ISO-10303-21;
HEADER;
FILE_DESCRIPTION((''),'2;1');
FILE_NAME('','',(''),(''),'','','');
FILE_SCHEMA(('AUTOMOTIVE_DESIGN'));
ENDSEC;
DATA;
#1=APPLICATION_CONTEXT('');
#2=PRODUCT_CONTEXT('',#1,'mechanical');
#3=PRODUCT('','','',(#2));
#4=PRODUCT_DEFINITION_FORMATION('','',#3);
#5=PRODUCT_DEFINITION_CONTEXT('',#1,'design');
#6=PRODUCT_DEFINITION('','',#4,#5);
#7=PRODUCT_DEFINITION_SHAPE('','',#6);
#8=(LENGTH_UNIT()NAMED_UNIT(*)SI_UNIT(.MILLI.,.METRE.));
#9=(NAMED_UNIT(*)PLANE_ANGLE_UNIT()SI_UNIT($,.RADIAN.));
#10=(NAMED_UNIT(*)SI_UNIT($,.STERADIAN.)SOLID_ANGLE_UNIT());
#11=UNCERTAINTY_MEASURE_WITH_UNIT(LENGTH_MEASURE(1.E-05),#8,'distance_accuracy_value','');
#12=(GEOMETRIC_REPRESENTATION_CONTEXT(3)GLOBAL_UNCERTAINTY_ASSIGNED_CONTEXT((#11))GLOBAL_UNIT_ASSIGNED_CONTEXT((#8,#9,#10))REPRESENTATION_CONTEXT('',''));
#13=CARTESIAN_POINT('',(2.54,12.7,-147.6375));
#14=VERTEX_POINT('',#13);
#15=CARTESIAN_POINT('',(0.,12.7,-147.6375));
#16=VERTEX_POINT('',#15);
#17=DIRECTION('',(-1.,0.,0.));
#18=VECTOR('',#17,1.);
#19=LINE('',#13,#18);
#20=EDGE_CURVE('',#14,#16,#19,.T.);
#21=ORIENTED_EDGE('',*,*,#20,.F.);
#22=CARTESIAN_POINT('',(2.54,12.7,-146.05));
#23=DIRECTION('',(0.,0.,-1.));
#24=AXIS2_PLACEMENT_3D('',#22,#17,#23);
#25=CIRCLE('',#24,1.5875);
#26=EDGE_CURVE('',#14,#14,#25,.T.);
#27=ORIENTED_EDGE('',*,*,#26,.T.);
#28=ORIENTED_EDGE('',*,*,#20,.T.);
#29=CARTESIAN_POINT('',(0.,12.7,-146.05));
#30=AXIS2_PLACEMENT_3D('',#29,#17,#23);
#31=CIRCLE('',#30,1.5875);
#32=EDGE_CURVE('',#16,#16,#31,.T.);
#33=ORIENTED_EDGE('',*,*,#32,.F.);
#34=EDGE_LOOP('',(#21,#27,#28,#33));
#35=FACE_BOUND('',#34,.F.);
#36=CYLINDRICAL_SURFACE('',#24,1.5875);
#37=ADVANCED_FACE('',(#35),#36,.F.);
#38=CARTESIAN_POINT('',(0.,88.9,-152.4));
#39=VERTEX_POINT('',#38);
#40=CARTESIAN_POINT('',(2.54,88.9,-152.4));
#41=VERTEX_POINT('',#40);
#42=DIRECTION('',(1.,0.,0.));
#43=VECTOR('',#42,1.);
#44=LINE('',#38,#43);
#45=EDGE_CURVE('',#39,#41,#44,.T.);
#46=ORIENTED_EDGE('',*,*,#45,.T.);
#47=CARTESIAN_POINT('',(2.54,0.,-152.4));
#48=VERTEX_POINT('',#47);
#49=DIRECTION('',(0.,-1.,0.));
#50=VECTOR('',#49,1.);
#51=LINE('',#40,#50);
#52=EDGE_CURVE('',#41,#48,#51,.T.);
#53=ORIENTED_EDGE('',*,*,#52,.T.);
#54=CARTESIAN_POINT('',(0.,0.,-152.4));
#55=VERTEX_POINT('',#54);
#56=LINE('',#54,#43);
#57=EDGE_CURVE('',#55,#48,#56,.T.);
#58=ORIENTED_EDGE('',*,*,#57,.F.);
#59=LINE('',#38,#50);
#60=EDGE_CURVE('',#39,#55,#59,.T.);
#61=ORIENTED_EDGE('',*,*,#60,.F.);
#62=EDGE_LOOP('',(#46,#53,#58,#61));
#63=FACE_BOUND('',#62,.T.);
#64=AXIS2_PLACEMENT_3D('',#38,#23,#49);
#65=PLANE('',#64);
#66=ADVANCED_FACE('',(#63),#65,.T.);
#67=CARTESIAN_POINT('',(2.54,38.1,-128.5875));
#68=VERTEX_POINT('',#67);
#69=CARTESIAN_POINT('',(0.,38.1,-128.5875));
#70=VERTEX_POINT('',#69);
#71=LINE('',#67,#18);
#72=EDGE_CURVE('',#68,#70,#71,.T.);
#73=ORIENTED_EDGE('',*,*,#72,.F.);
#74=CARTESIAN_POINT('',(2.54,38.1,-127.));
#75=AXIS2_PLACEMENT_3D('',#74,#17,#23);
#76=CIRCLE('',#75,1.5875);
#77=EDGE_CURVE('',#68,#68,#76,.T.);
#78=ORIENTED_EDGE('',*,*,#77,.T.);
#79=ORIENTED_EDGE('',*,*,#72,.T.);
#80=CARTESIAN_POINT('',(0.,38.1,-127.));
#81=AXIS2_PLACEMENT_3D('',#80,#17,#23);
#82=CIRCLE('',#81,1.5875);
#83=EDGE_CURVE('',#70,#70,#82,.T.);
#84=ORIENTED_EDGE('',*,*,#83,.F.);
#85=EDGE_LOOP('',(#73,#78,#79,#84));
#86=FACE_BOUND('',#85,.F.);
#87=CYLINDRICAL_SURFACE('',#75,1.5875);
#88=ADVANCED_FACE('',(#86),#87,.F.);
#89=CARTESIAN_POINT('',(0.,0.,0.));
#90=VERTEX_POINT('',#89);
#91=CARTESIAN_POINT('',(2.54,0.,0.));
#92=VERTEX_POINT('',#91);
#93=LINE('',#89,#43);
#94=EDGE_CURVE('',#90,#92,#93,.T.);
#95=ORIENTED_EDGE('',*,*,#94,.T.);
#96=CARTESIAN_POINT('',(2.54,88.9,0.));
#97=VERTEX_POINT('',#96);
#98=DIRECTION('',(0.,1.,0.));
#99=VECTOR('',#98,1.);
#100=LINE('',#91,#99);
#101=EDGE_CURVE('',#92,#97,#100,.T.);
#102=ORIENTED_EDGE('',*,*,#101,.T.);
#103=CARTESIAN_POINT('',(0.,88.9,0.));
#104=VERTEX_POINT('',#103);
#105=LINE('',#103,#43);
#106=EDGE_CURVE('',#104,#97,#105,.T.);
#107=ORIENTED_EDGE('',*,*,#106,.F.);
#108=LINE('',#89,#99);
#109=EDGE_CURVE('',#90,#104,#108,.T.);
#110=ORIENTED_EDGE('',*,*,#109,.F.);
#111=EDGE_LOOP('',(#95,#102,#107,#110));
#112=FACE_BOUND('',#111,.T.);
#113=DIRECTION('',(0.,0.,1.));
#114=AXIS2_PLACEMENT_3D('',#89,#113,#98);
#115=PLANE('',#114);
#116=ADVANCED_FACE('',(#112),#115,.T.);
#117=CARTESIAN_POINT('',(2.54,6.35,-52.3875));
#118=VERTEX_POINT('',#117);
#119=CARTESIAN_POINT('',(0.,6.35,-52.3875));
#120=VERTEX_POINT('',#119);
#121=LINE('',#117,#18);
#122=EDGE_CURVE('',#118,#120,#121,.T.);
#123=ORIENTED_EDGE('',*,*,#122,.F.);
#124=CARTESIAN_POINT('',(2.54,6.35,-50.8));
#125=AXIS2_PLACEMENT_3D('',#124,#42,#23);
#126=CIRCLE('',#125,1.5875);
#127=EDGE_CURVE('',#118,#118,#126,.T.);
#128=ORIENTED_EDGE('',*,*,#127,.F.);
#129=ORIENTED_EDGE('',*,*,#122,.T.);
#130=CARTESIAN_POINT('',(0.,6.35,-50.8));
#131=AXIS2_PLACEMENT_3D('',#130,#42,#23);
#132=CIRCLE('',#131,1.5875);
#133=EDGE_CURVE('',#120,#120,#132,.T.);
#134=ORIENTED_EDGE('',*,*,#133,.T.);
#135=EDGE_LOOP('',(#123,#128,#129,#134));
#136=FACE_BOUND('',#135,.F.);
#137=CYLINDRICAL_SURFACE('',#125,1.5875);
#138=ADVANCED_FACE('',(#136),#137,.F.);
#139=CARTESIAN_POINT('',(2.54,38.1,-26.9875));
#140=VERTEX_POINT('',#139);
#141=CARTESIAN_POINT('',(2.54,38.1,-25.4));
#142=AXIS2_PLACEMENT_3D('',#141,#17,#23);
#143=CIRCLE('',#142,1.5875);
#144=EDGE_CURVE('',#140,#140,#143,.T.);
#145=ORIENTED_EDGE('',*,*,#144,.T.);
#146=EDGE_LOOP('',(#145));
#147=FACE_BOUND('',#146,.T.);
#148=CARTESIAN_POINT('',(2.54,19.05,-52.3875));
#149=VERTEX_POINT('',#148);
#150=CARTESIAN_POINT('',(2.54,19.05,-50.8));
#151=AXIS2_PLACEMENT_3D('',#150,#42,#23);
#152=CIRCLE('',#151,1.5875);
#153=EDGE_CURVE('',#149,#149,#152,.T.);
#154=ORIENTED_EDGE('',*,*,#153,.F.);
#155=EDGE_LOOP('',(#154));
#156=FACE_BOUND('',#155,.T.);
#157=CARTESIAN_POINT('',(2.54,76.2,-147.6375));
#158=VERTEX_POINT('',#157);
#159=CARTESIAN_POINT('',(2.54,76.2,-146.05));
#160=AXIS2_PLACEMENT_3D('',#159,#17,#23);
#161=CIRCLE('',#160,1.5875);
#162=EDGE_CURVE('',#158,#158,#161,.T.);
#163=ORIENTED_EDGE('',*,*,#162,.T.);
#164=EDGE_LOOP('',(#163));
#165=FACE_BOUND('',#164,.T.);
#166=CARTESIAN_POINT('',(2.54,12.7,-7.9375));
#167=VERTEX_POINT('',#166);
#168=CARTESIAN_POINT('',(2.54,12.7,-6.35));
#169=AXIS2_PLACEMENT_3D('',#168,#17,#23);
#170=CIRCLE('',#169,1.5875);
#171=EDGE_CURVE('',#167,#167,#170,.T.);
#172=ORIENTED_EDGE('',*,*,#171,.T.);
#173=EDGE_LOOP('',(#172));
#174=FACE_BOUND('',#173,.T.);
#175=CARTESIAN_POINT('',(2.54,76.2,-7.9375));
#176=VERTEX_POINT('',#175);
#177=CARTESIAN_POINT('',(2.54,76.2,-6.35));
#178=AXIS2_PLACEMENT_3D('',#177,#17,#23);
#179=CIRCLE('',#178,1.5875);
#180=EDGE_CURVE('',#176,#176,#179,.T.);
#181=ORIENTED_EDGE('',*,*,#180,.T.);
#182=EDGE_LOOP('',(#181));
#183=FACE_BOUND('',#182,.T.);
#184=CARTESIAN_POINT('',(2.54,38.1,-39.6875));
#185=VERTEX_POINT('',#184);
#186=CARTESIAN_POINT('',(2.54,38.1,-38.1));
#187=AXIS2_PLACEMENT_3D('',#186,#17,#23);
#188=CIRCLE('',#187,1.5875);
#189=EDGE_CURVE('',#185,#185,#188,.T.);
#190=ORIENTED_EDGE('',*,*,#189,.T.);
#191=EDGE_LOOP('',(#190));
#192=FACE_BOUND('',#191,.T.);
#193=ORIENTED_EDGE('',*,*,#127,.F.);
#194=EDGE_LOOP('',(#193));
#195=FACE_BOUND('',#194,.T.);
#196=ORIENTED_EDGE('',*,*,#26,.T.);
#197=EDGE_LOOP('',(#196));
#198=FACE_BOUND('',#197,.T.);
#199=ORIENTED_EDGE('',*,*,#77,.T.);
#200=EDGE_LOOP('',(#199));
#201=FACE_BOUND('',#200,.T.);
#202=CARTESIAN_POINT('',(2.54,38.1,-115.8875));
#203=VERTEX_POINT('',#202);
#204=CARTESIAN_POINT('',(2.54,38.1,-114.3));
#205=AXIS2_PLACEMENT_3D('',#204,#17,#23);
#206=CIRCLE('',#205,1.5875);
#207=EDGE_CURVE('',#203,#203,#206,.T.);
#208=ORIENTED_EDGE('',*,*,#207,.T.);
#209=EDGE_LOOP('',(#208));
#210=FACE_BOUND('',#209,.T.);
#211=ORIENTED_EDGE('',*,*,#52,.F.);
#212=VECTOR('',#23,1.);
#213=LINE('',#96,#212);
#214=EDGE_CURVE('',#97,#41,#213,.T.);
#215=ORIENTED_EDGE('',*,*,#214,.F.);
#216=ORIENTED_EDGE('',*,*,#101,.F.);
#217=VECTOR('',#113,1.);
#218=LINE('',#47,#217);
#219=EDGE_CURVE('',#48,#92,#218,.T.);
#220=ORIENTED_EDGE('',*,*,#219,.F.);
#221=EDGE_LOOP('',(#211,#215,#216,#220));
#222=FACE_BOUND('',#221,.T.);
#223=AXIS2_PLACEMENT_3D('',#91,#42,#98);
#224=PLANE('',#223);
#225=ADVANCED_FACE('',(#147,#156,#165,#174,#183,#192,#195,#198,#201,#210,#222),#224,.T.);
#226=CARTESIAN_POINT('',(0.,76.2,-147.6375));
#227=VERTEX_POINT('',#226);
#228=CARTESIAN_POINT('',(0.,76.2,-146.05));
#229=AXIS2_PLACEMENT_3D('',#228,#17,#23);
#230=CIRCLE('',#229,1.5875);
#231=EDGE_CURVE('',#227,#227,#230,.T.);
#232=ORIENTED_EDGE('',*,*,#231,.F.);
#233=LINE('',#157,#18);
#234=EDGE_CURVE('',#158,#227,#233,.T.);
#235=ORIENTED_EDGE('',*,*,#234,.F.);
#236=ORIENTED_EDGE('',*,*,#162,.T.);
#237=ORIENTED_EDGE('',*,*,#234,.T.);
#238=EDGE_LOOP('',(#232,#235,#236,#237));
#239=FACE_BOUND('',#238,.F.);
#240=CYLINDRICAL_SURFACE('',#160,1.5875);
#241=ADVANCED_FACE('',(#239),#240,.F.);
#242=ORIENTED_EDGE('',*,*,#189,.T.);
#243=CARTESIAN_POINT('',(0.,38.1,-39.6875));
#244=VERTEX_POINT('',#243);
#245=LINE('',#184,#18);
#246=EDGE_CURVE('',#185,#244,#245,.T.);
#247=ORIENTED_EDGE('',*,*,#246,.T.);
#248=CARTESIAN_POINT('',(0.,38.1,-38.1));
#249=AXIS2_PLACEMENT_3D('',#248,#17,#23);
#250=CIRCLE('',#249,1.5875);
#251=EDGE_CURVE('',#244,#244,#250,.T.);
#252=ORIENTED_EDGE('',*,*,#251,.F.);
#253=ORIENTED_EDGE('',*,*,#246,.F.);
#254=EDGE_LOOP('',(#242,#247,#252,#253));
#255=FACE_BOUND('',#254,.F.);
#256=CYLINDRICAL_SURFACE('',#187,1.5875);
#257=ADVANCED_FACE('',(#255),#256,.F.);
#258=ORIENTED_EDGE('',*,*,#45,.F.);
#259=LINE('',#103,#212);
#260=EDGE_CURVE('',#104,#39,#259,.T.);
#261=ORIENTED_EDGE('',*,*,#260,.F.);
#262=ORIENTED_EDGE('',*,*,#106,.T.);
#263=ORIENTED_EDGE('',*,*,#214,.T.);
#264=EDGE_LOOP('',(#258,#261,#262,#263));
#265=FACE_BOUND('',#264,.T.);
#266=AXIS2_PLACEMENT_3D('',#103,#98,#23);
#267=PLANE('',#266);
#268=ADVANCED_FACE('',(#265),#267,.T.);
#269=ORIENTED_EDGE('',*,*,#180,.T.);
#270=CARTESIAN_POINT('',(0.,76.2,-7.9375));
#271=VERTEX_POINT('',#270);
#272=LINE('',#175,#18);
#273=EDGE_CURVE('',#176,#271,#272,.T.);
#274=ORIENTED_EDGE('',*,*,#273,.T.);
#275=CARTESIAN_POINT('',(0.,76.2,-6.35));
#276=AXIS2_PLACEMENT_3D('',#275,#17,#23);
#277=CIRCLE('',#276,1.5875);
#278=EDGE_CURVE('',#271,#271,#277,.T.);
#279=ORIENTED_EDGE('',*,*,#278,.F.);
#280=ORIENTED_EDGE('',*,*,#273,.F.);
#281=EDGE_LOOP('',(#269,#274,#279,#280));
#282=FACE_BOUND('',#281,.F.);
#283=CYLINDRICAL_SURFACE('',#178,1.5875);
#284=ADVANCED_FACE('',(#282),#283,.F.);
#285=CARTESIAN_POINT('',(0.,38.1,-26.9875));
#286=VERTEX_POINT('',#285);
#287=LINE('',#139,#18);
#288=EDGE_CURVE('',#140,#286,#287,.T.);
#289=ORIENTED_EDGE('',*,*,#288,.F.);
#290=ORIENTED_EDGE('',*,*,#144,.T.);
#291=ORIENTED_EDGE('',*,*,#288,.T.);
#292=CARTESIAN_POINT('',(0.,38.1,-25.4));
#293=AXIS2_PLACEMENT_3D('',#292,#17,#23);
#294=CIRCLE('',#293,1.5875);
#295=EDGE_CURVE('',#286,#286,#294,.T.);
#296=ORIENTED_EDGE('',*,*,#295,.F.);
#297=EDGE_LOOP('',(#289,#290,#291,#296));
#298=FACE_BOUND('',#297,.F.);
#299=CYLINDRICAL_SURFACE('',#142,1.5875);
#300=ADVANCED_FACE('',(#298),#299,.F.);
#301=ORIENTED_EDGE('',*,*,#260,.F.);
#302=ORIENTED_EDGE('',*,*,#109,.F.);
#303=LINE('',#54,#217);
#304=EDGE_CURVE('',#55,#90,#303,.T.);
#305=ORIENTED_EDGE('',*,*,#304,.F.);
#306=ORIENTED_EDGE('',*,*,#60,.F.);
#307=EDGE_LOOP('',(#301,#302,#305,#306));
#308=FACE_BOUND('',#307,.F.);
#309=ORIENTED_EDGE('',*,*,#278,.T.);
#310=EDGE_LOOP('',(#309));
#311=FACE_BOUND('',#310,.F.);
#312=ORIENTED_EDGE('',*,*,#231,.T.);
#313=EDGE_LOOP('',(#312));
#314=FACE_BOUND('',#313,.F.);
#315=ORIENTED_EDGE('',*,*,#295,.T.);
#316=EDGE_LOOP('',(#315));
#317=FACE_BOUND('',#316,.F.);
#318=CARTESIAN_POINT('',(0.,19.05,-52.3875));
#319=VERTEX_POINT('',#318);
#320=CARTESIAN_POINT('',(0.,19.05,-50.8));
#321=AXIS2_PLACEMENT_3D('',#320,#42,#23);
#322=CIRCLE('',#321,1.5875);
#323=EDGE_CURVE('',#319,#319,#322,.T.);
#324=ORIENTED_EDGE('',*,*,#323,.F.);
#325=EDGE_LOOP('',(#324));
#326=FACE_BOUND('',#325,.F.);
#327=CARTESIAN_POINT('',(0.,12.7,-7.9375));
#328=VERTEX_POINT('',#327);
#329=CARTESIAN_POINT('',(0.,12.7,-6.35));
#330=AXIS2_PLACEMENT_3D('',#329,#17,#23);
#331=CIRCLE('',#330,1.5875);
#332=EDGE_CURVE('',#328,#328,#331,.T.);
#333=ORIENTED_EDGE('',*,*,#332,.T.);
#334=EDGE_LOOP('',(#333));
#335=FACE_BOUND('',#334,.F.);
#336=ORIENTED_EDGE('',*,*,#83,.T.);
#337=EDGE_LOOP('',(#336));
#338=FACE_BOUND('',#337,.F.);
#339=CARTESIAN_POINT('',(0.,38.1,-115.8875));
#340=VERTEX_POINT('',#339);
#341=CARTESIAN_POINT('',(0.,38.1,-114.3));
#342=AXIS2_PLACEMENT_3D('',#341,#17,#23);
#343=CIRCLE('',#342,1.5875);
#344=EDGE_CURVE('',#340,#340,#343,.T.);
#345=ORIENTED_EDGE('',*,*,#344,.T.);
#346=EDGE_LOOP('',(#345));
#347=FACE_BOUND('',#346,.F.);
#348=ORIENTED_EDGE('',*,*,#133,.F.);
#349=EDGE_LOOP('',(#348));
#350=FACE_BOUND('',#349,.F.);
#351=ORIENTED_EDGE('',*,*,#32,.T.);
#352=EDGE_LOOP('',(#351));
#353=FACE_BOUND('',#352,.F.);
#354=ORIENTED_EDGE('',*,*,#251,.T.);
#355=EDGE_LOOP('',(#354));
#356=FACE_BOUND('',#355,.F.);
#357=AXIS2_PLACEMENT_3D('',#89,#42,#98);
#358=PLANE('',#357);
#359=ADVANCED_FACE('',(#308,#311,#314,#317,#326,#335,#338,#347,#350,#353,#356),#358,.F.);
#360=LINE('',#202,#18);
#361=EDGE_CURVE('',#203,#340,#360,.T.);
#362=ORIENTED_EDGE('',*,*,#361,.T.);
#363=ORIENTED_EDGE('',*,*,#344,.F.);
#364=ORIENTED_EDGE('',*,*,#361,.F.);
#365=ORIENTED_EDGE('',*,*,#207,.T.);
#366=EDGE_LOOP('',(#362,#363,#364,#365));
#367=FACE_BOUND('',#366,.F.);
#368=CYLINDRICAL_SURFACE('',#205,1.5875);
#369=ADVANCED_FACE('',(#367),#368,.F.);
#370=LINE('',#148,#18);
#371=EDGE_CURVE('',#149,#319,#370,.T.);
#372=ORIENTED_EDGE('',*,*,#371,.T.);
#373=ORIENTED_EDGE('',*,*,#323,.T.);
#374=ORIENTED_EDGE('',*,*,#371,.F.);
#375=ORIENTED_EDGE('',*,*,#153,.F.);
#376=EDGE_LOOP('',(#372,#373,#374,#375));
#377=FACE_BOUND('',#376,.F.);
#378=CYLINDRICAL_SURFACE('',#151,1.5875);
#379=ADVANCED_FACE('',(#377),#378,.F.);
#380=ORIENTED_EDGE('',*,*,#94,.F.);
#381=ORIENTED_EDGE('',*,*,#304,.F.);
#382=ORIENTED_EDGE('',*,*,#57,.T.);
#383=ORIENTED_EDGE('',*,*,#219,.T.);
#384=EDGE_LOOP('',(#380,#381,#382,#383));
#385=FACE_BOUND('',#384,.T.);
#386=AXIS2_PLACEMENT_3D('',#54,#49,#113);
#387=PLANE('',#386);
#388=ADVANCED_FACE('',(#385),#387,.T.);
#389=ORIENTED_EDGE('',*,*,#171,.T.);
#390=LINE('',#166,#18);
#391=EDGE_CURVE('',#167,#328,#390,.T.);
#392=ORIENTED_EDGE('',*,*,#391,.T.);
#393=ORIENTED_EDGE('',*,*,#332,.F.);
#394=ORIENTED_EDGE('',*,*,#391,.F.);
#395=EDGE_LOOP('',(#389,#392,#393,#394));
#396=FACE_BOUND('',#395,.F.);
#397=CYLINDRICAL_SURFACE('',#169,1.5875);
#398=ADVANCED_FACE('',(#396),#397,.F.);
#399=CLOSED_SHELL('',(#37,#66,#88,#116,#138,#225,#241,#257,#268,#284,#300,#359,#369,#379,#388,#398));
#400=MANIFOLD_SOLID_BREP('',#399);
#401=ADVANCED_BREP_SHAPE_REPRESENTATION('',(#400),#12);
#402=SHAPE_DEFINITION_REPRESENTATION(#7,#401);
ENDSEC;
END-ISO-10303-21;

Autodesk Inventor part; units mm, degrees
ref_plane "YZ Plane" through (0, 0, 0) normal (1, 0, 0) x (0, 1, 0)
ref_plane "XZ Plane" through (0, 0, 0) normal (0, 1, 0) x (-1, 0, 0)
ref_plane "XY Plane" through (0, 0, 0) normal (0, 0, 1) x (1, 0, 0)
sketch "Sketch1" plane through (0, 0, 0) normal (1, 0, 0) x (0, 1, 0)
  line L0 (0, 0) -> (88.9, 0)
  line L1 (88.9, 0) -> (88.9, -152.4)
  line L2 (88.9, -152.4) -> (0, -152.4)
  line L3 (0, -152.4) -> (0, 0)
  dimension "d0" = 88.9
  dimension "d1" = 152.4
extrude "Extrusion1" add sketch "Sketch1" along normal blind 2.54
sketch "Sketch2" plane through (2.54, 0, 0) normal (1, 0, 0) x (0, 0, -1)
  line L0 (0, 88.9) -> (0, 0) projected
  line L1 (0, 0) -> (152.4, 0) projected
  line L2 (152.4, 0) -> (152.4, 88.9) projected
  line L3 (152.4, 88.9) -> (0, 88.9) projected
  line L4 (6.35, 82.55) -> (6.35, 6.35) construction
  line L5 (6.35, 6.35) -> (146.05, 6.35) construction
  line L6 (146.05, 6.35) -> (146.05, 82.55) construction
  line L7 (146.05, 82.55) -> (6.35, 82.55) construction
  point P0 (6.35, 76.2)
  point P1 (6.35, 12.7)
  point P2 (146.05, 12.7)
  point P3 (146.05, 76.2)
  dimension "d4" = 6.35
  dimension "d5" = 12.7
  dimension "d6" = 12.7
  dimension "d7" = 12.7
  dimension "d8" = 12.7
hole "Hole1" at (2.54, 76.2, -6.35) at (2.54, 12.7, -6.35) at (2.54, 12.7, -146.05) at (2.54, 76.2, -146.05) direction (-1, 0, 0) diameter 3.175 depth 25.4 tip angle 118
sketch "Sketch3" plane through (2.54, 0, 0) normal (1, 0, 0) x (0, 0, -1)
  circle A0 centre (146.05, 12.7) radius 1.5875 projected
  circle A1 centre (6.35, 76.2) radius 1.5875 projected
  circle A2 centre (6.35, 12.7) radius 1.5875 projected
  circle A3 centre (146.05, 76.2) radius 1.5875 projected
  line L0 (0, 88.9) -> (0, 0) construction
  line L1 (0, 0) -> (152.4, 0) construction
  line L2 (152.4, 0) -> (152.4, 88.9) construction
  line L3 (152.4, 88.9) -> (0, 88.9) construction
  line L4 (-29.9282, 38.1) -> (171.8832, 38.1) construction
  point P0 (38.1, 38.1)
  point P1 (127, 38.1)
  point P2 (114.3, 38.1)
  point P3 (25.4, 38.1)
  dimension "d16" = 38.1
  dimension "d17" = 25.4
  dimension "d18" = 12.7
  dimension "d19" = 12.7
  dimension "d20" = 25.4
hole "Hole2" at (2.54, 38.1, -38.1) at (2.54, 38.1, -127) at (2.54, 38.1, -114.3) at (2.54, 38.1, -25.4) direction (-1, 0, 0) diameter 3.175 depth 25.4 tip angle 118
sketch "Sketch4" plane through (2.54, 0, 0) normal (1, 0, 0) x (0, 0, -1)
  line L0 (76.2, 87.9176) -> (76.2, -34.5253) construction
  circle A0 centre (38.1, 38.1) radius 1.5875 construction
  circle A1 centre (114.3, 38.1) radius 1.5875 construction
  line L1 (-38.8298, 38.1) -> (178.5898, 38.1) construction
  line L2 (-38.8298, 31.75) -> (180.6434, 31.75) construction
  line L3 (50.8, 85.0864) -> (50.8, -24.0085) construction
  line L4 (211.4025, 27.94) -> (-276.8587, 27.94) construction
  line L5 (-64.569, 19.05) -> (271.1941, 19.05) construction
  line L6 (-69.2198, 6.35) -> (225.3941, 6.35) construction
  circle A2 centre (50.8, 19.05) radius 1.5875
  circle A3 centre (50.8, 6.35) radius 1.5875
  point P0 (0, 0)
  point P1 (50.8, 31.75)
  dimension "d28" = 76.2
  dimension "d29" = 38.1
  dimension "d30" = 6.35
  dimension "d31" = 25.4
  dimension "d32" = 3.81
  dimension "d33" = 12.7
  dimension "d34" = 12.7
  dimension "d35" = 3.175
  dimension "d36" = 3.175
extrude "Extrusion2" cut sketch "Sketch4" against normal blind 25.4
properties part number "000201"
